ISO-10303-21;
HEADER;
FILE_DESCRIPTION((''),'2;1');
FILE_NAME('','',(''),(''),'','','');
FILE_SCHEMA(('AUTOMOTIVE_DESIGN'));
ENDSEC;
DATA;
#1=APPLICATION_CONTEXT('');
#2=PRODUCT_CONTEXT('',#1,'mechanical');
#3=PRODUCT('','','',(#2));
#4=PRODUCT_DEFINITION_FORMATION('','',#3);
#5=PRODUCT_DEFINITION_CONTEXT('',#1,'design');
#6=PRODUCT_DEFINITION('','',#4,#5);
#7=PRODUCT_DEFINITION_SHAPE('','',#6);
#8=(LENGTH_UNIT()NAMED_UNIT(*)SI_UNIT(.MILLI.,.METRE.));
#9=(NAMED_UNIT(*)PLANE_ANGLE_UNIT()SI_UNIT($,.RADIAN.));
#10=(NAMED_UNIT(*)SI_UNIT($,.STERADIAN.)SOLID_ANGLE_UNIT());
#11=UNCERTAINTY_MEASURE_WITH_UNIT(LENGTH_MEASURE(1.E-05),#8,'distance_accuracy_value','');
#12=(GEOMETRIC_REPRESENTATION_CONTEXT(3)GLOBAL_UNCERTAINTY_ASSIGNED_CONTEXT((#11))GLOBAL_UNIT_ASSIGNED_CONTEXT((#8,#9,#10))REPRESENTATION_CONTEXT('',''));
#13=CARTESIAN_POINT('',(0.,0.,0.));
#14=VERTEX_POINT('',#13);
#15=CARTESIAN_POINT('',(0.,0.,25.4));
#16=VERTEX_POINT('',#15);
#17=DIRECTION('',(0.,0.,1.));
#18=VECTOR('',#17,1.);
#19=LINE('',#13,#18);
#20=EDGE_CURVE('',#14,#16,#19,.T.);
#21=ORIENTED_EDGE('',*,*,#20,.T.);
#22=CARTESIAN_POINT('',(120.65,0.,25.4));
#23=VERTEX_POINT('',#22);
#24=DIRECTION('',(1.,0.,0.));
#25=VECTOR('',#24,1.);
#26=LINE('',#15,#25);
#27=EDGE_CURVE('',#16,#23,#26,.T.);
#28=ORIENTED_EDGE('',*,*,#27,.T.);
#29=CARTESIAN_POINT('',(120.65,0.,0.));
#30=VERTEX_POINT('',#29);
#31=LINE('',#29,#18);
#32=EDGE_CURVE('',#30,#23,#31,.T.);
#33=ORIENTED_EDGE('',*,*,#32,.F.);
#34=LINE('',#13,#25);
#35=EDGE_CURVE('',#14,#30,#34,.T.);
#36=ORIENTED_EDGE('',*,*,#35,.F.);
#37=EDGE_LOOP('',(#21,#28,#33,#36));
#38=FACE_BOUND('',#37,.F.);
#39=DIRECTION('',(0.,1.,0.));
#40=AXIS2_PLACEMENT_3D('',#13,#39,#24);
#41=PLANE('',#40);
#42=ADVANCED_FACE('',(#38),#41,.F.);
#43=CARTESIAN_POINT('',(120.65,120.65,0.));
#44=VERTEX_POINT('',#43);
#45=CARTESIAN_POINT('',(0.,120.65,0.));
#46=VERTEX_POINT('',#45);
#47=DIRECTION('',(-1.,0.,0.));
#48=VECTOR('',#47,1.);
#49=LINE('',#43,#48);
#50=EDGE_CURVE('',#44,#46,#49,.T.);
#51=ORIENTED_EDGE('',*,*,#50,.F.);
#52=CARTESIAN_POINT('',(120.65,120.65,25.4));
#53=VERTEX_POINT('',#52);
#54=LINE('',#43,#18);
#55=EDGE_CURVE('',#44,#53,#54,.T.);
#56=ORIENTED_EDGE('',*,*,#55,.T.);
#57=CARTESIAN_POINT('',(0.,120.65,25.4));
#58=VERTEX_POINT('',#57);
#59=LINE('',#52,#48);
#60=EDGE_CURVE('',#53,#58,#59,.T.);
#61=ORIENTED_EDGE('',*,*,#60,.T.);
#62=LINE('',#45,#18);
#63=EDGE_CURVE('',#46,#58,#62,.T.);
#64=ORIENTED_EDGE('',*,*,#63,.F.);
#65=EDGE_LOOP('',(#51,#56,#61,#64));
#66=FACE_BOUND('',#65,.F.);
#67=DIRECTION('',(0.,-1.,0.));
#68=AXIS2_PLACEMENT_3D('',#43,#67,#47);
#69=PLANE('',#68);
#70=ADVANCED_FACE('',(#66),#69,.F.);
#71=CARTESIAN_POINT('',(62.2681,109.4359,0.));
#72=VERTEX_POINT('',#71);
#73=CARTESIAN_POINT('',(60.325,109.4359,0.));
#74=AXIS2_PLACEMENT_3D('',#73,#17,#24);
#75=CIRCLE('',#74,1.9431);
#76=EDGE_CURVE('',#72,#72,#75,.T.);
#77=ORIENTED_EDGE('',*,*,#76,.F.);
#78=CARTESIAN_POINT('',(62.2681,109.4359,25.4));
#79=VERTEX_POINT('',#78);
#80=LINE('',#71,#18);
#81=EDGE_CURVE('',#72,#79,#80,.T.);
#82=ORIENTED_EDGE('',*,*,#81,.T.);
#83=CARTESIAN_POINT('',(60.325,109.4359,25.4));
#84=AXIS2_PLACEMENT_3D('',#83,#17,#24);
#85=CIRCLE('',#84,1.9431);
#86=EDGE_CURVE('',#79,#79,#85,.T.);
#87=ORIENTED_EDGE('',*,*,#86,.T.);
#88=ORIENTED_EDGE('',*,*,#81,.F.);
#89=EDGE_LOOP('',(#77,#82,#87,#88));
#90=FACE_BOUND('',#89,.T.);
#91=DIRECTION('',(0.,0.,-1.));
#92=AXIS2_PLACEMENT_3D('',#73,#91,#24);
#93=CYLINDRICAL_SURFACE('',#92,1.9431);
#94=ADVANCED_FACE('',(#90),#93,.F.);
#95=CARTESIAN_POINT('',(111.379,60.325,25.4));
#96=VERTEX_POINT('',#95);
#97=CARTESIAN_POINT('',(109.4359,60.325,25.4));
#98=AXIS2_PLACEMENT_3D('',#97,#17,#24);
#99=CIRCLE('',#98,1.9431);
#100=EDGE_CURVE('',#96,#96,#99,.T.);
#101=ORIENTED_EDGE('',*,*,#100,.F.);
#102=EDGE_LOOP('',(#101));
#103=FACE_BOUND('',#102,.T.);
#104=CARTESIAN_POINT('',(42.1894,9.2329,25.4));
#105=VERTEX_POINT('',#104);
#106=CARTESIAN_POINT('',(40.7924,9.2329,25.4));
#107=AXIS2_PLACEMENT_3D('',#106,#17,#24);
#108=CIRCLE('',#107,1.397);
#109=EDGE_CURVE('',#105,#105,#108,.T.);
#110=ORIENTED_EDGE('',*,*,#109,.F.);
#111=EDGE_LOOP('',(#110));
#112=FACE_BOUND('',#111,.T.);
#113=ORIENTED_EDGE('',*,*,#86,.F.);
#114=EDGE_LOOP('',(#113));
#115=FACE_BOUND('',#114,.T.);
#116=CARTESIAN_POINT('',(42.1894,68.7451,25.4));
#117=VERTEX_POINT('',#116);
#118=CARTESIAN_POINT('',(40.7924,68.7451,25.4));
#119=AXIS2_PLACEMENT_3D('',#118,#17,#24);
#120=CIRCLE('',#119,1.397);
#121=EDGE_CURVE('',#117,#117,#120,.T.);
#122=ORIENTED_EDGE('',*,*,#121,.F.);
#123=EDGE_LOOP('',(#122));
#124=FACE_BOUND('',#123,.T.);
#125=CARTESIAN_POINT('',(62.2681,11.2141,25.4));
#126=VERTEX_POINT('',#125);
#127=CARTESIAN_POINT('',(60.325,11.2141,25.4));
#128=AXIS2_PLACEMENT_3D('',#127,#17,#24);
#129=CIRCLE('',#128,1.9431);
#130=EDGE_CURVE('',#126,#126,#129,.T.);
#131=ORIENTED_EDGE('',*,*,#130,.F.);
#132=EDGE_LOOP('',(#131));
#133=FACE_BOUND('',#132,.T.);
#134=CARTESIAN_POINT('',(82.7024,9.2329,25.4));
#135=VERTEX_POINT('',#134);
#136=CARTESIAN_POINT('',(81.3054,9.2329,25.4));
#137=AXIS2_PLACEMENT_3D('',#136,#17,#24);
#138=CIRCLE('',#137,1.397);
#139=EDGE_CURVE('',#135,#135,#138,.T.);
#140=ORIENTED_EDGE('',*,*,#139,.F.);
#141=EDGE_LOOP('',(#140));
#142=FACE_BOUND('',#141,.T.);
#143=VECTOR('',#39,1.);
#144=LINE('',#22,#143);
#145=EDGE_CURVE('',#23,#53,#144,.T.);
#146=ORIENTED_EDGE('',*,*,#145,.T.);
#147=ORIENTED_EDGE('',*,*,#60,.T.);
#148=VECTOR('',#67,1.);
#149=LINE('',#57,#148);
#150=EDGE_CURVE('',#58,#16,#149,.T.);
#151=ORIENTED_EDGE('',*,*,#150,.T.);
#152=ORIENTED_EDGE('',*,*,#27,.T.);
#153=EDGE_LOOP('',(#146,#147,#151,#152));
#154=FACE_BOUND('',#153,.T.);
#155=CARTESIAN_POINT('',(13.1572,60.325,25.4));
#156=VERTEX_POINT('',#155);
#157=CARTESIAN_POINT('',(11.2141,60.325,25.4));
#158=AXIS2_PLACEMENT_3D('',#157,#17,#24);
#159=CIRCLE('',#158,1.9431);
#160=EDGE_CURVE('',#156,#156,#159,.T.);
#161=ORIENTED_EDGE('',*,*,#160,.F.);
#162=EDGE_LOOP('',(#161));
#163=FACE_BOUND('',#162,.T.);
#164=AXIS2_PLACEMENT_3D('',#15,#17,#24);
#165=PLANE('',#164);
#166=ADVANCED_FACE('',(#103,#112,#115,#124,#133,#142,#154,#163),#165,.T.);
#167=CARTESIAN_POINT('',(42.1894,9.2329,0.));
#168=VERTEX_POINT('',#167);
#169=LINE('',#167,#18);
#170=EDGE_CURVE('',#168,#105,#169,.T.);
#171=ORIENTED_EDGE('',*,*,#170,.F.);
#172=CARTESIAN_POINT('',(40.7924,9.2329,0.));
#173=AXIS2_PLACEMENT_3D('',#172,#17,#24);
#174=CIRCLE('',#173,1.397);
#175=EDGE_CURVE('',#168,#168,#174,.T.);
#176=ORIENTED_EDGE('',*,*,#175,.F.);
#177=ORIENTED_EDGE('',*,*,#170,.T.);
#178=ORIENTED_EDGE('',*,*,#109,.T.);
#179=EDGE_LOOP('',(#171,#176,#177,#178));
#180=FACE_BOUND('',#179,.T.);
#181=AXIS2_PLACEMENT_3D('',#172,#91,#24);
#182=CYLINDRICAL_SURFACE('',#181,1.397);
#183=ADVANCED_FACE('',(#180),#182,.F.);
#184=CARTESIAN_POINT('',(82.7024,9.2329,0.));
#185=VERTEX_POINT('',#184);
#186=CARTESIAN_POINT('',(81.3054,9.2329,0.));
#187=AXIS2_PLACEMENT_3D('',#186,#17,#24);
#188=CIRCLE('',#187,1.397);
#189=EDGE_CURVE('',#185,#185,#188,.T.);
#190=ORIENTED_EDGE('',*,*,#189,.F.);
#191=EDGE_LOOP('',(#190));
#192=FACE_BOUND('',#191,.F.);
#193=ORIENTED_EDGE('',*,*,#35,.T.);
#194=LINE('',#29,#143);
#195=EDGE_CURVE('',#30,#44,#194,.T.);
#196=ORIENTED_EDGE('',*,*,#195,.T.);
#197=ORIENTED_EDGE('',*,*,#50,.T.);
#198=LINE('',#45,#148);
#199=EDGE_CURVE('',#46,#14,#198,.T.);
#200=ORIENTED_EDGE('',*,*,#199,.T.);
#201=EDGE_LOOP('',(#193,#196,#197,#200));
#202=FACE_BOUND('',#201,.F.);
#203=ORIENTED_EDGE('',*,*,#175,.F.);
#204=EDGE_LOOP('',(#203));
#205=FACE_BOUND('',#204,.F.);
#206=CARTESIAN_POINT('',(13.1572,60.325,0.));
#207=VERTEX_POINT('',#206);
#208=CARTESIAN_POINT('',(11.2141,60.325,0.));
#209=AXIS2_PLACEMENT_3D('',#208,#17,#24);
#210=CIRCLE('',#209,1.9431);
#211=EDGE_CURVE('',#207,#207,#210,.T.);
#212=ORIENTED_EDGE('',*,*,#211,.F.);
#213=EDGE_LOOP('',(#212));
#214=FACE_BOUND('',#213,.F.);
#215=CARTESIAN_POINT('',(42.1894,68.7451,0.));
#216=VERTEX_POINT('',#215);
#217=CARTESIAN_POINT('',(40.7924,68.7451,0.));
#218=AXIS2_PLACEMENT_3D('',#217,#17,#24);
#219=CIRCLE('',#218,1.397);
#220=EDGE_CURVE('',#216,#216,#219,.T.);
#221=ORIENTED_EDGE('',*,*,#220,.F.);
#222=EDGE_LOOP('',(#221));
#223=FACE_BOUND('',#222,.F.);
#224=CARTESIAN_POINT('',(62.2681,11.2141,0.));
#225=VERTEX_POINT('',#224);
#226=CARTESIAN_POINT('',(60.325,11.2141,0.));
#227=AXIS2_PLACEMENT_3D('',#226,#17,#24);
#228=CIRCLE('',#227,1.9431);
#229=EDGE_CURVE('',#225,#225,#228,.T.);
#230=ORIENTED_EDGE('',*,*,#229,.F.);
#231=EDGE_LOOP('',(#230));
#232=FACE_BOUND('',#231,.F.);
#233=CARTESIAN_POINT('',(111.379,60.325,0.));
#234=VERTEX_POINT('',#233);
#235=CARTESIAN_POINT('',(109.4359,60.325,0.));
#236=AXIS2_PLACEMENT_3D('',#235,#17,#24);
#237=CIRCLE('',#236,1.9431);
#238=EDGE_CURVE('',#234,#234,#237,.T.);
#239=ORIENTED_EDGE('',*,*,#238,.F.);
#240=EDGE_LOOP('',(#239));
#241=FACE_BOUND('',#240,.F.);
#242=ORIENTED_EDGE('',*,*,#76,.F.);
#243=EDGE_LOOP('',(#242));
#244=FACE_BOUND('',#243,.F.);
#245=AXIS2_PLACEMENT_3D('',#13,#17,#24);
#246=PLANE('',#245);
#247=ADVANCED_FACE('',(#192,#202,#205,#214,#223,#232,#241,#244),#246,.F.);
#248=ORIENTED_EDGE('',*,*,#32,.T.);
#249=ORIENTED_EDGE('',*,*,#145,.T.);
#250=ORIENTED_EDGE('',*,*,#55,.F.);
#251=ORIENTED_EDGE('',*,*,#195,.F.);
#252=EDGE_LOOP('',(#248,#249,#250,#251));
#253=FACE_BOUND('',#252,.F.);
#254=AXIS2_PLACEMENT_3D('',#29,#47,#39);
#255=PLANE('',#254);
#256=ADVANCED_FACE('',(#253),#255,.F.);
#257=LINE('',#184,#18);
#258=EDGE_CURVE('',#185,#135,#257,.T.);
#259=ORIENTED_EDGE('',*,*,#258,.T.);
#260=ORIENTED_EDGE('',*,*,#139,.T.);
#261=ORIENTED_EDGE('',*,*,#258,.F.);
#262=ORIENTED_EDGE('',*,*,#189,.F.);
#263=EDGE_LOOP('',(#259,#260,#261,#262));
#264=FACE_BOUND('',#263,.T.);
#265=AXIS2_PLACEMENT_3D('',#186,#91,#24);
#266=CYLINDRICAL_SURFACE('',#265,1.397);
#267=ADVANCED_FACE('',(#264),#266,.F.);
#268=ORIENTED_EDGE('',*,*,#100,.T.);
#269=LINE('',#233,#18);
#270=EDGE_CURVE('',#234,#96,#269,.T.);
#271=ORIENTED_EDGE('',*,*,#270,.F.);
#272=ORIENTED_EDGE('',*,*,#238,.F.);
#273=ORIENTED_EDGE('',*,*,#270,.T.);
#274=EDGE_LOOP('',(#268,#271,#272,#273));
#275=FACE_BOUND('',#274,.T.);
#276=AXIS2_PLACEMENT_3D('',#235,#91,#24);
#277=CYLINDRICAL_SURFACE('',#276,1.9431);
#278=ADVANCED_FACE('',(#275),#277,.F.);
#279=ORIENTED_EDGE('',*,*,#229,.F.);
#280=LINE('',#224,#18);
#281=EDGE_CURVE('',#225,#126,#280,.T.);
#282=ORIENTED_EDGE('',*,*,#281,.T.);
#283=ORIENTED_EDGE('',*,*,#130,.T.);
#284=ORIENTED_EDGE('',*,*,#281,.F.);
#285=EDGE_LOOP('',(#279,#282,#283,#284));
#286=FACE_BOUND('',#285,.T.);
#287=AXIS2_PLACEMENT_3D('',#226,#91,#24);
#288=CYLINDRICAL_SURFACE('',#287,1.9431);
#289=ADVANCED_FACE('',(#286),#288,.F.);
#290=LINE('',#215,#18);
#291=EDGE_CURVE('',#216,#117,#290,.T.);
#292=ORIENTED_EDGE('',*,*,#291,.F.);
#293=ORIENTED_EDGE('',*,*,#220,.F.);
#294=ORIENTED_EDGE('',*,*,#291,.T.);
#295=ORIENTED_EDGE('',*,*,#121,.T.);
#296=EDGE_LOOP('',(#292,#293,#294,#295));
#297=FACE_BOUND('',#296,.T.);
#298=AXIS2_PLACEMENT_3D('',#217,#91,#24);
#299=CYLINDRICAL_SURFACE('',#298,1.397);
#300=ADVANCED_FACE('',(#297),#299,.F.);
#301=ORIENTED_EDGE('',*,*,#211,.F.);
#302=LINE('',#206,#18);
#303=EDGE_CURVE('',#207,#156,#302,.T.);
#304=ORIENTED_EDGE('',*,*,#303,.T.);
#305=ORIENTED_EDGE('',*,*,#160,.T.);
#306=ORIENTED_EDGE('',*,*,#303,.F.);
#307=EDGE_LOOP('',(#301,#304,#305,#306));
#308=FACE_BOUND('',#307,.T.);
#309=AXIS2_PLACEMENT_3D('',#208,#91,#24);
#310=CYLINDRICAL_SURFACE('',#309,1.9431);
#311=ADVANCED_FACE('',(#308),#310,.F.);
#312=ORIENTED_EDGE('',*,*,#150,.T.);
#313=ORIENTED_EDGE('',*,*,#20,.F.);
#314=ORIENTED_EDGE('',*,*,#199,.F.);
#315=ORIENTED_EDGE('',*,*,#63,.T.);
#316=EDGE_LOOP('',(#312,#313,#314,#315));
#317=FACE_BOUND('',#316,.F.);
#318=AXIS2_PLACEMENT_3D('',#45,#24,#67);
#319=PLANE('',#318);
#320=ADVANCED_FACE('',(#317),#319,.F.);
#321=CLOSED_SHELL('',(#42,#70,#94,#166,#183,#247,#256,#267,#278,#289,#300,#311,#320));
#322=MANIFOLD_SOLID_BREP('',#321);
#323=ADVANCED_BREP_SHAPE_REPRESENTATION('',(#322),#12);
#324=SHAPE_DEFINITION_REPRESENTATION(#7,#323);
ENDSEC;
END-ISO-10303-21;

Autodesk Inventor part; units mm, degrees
ref_plane "YZ Plane" through (0, 0, 0) normal (1, 0, 0) x (0, 1, 0)
ref_plane "XZ Plane" through (0, 0, 0) normal (0, 1, 0) x (-1, 0, 0)
ref_plane "XY Plane" through (0, 0, 0) normal (0, 0, 1) x (1, 0, 0)
sketch "Sketch1" plane through (0, 0, 0) normal (0, 0, 1) x (1, 0, 0)
  line L0 (0, 0) -> (120.65, 0)
  line L1 (120.65, 0) -> (120.65, 120.65)
  line L2 (120.65, 120.65) -> (0, 120.65)
  line L3 (0, 120.65) -> (0, 0)
  circle A0 centre (11.2141, 60.325) radius 1.9431
  circle A1 centre (60.325, 11.2141) radius 1.9431
  circle A2 centre (109.4359, 60.325) radius 1.9431
  circle A3 centre (60.325, 109.4359) radius 1.9431
  circle A4 centre (81.3054, 9.2329) radius 1.397
  circle A5 centre (40.7924, 9.2329) radius 1.397
  circle A6 centre (40.7924, 68.7451) radius 1.397
  point P0 (60.325, 60.325)
  dimension "d2" = 120.65
  dimension "d3" = 120.65
  dimension "d10" = 3.8862
  dimension "d13" = 360
  dimension "d33" = 2.794
  dimension "d35" = 2.794
  dimension "d37" = 2.794
extrude "Extrusion4" add sketch "Sketch1" along normal blind 25.4
properties part number "speakerbottom"
